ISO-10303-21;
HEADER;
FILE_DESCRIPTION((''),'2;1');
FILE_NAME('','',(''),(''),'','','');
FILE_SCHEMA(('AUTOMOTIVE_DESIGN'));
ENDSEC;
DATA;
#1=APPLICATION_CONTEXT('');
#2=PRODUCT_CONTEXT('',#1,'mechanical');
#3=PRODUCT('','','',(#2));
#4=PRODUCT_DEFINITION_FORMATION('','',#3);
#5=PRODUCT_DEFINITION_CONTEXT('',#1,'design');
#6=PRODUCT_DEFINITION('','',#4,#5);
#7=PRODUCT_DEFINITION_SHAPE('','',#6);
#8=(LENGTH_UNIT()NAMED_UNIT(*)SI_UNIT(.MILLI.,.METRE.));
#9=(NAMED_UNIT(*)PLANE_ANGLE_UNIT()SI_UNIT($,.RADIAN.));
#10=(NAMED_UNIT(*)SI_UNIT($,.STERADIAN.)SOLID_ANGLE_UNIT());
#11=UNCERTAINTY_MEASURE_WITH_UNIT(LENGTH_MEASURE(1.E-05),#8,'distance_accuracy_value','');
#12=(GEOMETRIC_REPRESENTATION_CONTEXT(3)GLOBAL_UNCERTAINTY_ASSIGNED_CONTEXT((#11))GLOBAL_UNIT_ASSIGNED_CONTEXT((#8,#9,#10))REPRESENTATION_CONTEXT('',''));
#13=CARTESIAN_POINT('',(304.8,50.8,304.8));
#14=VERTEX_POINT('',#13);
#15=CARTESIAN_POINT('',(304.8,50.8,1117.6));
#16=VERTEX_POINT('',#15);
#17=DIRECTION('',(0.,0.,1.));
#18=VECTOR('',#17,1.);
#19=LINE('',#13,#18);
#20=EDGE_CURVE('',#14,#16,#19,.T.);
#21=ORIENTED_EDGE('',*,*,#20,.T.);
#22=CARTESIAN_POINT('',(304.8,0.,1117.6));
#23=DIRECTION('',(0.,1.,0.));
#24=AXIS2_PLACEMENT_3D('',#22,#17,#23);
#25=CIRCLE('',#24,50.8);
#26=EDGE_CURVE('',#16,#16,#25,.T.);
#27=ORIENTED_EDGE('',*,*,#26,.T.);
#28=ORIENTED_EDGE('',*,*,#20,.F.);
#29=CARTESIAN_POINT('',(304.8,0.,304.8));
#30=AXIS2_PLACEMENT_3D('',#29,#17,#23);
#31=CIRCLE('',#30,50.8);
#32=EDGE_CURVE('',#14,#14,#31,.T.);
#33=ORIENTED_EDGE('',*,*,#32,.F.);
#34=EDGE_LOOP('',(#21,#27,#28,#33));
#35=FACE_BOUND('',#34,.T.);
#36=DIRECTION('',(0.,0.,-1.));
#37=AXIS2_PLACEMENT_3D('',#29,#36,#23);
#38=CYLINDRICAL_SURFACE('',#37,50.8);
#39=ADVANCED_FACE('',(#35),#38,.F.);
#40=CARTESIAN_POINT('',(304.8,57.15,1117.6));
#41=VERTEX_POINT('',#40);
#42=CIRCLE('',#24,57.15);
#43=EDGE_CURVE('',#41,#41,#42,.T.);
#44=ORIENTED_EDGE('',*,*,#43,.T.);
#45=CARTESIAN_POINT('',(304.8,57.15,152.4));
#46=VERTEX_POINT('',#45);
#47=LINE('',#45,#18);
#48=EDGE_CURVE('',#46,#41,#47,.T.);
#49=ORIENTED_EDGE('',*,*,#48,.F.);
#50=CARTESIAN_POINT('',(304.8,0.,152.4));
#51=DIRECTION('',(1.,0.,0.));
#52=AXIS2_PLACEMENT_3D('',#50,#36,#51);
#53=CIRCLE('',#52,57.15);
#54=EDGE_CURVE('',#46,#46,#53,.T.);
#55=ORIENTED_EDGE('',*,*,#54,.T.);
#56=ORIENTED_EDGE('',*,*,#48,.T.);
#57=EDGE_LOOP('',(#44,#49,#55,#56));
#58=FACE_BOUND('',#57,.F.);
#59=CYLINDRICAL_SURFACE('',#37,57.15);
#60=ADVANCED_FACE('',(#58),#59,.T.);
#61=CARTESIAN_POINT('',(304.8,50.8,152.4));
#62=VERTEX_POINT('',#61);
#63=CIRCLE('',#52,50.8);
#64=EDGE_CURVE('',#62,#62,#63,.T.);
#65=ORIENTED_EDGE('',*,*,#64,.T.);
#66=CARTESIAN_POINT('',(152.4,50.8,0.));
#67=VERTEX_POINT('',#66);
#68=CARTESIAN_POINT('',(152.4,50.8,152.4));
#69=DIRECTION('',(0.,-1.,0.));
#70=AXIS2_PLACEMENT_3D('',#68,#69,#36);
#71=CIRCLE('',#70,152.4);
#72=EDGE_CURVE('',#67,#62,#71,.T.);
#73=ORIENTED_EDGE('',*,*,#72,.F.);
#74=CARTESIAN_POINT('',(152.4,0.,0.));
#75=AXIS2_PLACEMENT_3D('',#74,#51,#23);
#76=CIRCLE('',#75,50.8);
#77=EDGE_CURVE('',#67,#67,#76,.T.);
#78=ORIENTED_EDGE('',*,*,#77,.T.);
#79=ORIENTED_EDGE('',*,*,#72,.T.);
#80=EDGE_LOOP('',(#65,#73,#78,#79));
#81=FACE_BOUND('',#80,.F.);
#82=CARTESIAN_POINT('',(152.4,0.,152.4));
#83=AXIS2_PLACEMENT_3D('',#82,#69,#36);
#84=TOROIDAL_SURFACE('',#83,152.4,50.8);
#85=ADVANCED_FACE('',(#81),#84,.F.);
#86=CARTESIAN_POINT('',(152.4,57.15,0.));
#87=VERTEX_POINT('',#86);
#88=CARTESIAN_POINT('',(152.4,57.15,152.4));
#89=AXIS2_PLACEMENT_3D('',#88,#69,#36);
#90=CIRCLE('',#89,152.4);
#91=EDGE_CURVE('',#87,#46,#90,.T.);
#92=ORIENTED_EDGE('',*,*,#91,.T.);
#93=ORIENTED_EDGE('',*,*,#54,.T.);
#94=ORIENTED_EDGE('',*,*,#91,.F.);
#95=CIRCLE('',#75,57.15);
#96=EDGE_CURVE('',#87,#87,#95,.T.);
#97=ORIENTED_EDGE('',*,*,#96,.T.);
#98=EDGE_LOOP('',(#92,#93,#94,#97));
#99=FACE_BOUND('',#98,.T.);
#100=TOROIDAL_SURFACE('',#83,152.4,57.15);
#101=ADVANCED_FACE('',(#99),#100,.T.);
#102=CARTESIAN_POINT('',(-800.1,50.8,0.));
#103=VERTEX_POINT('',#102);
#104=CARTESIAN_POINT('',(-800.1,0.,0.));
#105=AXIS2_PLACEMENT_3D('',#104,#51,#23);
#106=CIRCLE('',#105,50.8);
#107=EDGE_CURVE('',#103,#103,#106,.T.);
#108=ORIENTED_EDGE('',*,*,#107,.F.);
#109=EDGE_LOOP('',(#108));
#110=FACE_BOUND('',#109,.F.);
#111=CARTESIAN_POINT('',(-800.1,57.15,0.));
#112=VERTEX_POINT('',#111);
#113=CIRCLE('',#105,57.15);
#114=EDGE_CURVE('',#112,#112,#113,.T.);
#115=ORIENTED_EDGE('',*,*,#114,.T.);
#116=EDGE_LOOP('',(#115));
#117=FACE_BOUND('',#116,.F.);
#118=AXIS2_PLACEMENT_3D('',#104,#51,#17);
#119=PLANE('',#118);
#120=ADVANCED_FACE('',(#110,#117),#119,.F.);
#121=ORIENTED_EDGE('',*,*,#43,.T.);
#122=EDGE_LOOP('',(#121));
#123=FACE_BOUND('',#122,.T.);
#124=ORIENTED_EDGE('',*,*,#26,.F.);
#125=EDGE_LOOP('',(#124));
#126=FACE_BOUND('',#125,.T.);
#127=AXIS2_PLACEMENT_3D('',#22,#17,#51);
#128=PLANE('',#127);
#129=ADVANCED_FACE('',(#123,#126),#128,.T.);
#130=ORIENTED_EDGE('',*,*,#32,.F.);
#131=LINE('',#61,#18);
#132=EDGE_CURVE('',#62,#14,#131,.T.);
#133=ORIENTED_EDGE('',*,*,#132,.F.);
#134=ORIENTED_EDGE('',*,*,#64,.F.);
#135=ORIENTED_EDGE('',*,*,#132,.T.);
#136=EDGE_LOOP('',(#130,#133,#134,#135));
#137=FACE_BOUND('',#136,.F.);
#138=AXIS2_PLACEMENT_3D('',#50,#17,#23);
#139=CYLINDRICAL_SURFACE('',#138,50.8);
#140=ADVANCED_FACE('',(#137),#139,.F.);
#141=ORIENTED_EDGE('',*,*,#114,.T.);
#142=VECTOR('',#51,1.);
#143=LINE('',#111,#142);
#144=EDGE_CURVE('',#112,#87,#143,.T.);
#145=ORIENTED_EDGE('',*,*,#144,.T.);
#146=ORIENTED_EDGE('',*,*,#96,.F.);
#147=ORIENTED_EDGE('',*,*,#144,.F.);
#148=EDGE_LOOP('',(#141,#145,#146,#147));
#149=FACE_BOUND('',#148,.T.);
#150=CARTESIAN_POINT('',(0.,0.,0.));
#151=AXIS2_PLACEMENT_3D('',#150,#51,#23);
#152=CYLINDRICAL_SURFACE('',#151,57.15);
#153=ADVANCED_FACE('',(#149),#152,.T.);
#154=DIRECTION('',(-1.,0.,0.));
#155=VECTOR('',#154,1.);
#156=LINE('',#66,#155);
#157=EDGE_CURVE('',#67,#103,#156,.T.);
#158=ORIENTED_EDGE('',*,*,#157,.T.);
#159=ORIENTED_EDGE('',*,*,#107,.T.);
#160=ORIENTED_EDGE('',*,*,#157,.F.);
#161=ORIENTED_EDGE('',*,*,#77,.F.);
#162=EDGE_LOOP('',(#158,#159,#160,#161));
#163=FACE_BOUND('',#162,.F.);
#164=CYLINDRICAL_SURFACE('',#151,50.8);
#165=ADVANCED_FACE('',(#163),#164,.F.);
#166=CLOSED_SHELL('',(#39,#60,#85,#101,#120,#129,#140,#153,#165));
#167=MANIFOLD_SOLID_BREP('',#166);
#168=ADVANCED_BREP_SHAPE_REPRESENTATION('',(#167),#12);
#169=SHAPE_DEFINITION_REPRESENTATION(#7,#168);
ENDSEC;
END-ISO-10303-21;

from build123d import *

# Parameters (mm, degrees)
F1_R     = 57.15
F1_R_2   = 50.8
F3_DEPTH = 812.8
F4_DEPTH = 800.1


with BuildPart() as f2:
    # F2: sweep along a path in F0
    with BuildLine(Plane.XZ) as f2_path:
        Line((0, 0), (152.4, 0))
        ThreePointArc((152.4, 0), (260.1630734528, 44.6369265472), (304.8, 152.4))
        Line((304.8, 152.4), (304.8, 304.8))
    # F1 (on Right) → F2 (sweep)
    with BuildSketch(Plane.YZ):
        Circle(F1_R)
        Circle(F1_R_2, mode=Mode.SUBTRACT)
    sweep(path=f2_path.line)

    # F3 (add): a face of the model
    f3_faces = [f2.faces().sort_by_distance(p)[0] for p in [
        (304.8, -55.5335538982, 304.8),
    ]]
    extrude(f3_faces, amount=F3_DEPTH)

    # F4 (add): a face of the model
    f4_faces = [f2.faces().sort_by_distance(p)[0] for p in [
        (0, -55.5335538982, 0),
    ]]
    extrude(f4_faces, amount=F4_DEPTH)


solid = f2.part
